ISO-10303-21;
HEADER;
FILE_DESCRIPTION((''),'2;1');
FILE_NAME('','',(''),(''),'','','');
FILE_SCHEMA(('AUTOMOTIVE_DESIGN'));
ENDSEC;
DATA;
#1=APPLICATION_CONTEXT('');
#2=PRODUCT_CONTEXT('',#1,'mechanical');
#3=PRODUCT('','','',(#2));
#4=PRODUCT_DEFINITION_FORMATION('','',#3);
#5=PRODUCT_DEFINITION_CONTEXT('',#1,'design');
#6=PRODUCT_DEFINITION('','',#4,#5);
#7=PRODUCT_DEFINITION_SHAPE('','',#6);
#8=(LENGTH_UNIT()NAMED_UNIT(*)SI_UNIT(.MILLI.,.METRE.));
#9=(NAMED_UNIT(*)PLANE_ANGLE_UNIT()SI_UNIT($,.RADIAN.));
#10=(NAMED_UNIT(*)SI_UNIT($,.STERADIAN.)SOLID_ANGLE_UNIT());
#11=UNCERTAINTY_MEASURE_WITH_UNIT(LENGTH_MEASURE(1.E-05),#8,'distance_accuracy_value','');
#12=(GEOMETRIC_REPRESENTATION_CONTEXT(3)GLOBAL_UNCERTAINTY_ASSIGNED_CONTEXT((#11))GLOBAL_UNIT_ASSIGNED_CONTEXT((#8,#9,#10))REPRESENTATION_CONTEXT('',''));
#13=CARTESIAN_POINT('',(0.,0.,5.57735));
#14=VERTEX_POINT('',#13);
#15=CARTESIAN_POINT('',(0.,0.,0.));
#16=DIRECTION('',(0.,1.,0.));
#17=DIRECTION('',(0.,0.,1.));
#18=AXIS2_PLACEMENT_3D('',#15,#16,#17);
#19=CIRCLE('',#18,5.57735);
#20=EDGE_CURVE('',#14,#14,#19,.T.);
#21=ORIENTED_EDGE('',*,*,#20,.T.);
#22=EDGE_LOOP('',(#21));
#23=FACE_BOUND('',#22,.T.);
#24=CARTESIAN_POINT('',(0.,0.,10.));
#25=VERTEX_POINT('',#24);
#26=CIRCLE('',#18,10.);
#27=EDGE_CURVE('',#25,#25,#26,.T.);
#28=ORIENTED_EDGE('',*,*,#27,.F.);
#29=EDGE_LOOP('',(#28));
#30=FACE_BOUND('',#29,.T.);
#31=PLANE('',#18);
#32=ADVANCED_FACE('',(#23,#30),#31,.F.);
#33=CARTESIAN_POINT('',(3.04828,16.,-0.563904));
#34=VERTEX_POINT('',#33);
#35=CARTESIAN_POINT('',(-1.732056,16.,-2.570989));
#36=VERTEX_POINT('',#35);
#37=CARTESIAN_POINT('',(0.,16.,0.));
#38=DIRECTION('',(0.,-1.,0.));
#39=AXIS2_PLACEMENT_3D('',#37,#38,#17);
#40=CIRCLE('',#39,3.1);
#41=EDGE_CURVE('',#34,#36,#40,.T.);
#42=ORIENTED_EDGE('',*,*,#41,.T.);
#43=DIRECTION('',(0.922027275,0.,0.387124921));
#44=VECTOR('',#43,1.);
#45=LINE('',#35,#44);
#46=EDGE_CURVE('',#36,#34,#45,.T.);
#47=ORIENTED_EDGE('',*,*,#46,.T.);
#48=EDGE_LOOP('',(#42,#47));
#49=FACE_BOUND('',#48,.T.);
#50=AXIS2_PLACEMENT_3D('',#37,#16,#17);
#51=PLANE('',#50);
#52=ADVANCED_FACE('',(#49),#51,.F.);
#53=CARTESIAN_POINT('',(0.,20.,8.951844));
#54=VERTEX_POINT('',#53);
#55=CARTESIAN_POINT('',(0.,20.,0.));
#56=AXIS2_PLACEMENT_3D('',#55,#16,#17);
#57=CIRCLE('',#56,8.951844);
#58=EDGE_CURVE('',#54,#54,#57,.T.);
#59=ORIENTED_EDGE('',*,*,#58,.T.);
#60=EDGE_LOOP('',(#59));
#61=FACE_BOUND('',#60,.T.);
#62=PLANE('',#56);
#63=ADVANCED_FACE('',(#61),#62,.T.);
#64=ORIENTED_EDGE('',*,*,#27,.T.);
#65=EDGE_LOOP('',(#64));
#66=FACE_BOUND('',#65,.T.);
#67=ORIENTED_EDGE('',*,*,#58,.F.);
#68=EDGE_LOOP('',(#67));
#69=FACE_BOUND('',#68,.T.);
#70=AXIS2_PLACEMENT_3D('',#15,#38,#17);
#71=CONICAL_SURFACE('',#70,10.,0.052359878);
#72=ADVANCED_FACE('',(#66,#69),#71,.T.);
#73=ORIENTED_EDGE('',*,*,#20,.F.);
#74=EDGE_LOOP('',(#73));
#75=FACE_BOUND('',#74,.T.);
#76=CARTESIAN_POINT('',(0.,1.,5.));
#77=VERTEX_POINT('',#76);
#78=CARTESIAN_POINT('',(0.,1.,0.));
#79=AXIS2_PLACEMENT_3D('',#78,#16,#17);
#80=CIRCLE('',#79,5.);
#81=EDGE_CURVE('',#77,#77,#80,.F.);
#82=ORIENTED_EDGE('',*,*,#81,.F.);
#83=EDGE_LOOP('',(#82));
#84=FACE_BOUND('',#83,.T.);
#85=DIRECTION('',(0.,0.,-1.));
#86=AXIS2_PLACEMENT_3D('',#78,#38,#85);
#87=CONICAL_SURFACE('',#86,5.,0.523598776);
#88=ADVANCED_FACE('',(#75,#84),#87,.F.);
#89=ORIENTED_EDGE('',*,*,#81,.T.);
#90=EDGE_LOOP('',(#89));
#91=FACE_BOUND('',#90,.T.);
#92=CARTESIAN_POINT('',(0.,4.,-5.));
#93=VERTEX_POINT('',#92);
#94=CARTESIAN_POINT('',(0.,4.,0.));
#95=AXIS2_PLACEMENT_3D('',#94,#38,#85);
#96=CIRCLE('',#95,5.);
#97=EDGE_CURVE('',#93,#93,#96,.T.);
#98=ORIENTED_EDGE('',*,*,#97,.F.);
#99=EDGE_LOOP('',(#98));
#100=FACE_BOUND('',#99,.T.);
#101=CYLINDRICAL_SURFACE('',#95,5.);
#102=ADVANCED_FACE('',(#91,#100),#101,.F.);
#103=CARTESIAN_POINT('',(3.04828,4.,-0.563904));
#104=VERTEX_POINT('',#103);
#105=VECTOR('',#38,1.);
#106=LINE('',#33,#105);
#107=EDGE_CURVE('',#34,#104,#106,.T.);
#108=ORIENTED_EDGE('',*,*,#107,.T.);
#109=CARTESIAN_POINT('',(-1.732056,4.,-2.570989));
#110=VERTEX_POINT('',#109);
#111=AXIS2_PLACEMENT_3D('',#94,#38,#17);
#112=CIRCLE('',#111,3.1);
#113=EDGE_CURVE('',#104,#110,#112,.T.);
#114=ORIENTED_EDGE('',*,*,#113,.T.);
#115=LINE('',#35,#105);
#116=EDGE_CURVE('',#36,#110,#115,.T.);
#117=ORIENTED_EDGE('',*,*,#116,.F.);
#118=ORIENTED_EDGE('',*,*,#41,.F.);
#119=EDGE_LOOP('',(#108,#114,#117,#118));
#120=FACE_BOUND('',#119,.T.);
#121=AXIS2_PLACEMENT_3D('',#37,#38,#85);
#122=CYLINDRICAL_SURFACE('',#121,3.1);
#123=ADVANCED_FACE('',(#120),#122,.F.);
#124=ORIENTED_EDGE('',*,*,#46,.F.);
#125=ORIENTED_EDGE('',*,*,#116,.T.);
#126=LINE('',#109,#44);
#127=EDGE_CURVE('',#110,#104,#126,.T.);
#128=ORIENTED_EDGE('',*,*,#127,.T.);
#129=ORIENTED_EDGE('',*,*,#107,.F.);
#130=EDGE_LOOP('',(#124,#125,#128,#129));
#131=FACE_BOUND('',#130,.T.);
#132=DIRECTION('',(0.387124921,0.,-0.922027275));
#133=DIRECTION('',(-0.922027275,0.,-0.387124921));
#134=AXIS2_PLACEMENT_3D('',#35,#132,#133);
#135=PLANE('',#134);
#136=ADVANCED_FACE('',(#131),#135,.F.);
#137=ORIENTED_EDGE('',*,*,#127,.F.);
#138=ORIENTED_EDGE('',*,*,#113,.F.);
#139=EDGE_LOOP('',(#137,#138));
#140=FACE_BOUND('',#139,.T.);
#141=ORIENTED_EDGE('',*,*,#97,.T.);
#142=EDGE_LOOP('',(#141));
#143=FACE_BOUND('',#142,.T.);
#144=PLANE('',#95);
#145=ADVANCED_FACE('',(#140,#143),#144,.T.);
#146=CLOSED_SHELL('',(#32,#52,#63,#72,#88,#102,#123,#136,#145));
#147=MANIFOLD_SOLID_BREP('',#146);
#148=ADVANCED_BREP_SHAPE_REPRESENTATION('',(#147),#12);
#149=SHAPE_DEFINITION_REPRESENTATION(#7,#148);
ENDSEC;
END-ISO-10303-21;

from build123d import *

# Parameters (mm, degrees)
SKETCH1_R           = 10
BOSS_EXTRUDE1_DEPTH = 20
BOSS_EXTRUDE1_TAPER = 3
SKETCH2_R           = 5
CUT_EXTRUDE1_DEPTH  = 4
CUT_EXTRUDE2_DEPTH  = 12
CHAMFER1_SIZE       = 1
CHAMFER1_SIZE2      = 0.577350269


with BuildPart() as part:
    # Sketch1 → Boss-Extrude1 (new body)
    with BuildSketch(Plane(origin=(0, 0, 0), x_dir=(1, 0, 0), z_dir=(0, 1, 0))):
        Circle(SKETCH1_R)
    extrude(amount=BOSS_EXTRUDE1_DEPTH, taper=BOSS_EXTRUDE1_TAPER)

    # Sketch2 → Cut-Extrude1 (cut)
    with BuildSketch(Plane.XZ):
        with Locations(Location((0, 0, 0), (0, 0, 270))):
            Circle(SKETCH2_R)
    extrude(amount=-CUT_EXTRUDE1_DEPTH, mode=Mode.SUBTRACT)

    # Sketch3 → Cut-Extrude2 (cut)
    with BuildSketch(Plane.XZ.offset(-4)):
        with BuildLine():
            Line((-1.732055507, -2.57098886), (3.04828024, -0.563903873))
            ThreePointArc((3.04828024, -0.563903873), (-1.200087257, 2.858284551), (-1.732055507, -2.57098886))
        make_face()
    extrude(amount=-CUT_EXTRUDE2_DEPTH, mode=Mode.SUBTRACT)

    # Chamfer1
    chamfer1_edges = [part.edges().sort_by_distance(p)[0] for p in [
        (0, 0, 5),
    ]]
    chamfer1_side = [part.faces().sort_by_distance(p)[0] for p in [
        (0, 2, 5),
    ]]
    chamfer(chamfer1_edges, length=CHAMFER1_SIZE, length2=CHAMFER1_SIZE2, reference=chamfer1_side[0])


solid = part.part
